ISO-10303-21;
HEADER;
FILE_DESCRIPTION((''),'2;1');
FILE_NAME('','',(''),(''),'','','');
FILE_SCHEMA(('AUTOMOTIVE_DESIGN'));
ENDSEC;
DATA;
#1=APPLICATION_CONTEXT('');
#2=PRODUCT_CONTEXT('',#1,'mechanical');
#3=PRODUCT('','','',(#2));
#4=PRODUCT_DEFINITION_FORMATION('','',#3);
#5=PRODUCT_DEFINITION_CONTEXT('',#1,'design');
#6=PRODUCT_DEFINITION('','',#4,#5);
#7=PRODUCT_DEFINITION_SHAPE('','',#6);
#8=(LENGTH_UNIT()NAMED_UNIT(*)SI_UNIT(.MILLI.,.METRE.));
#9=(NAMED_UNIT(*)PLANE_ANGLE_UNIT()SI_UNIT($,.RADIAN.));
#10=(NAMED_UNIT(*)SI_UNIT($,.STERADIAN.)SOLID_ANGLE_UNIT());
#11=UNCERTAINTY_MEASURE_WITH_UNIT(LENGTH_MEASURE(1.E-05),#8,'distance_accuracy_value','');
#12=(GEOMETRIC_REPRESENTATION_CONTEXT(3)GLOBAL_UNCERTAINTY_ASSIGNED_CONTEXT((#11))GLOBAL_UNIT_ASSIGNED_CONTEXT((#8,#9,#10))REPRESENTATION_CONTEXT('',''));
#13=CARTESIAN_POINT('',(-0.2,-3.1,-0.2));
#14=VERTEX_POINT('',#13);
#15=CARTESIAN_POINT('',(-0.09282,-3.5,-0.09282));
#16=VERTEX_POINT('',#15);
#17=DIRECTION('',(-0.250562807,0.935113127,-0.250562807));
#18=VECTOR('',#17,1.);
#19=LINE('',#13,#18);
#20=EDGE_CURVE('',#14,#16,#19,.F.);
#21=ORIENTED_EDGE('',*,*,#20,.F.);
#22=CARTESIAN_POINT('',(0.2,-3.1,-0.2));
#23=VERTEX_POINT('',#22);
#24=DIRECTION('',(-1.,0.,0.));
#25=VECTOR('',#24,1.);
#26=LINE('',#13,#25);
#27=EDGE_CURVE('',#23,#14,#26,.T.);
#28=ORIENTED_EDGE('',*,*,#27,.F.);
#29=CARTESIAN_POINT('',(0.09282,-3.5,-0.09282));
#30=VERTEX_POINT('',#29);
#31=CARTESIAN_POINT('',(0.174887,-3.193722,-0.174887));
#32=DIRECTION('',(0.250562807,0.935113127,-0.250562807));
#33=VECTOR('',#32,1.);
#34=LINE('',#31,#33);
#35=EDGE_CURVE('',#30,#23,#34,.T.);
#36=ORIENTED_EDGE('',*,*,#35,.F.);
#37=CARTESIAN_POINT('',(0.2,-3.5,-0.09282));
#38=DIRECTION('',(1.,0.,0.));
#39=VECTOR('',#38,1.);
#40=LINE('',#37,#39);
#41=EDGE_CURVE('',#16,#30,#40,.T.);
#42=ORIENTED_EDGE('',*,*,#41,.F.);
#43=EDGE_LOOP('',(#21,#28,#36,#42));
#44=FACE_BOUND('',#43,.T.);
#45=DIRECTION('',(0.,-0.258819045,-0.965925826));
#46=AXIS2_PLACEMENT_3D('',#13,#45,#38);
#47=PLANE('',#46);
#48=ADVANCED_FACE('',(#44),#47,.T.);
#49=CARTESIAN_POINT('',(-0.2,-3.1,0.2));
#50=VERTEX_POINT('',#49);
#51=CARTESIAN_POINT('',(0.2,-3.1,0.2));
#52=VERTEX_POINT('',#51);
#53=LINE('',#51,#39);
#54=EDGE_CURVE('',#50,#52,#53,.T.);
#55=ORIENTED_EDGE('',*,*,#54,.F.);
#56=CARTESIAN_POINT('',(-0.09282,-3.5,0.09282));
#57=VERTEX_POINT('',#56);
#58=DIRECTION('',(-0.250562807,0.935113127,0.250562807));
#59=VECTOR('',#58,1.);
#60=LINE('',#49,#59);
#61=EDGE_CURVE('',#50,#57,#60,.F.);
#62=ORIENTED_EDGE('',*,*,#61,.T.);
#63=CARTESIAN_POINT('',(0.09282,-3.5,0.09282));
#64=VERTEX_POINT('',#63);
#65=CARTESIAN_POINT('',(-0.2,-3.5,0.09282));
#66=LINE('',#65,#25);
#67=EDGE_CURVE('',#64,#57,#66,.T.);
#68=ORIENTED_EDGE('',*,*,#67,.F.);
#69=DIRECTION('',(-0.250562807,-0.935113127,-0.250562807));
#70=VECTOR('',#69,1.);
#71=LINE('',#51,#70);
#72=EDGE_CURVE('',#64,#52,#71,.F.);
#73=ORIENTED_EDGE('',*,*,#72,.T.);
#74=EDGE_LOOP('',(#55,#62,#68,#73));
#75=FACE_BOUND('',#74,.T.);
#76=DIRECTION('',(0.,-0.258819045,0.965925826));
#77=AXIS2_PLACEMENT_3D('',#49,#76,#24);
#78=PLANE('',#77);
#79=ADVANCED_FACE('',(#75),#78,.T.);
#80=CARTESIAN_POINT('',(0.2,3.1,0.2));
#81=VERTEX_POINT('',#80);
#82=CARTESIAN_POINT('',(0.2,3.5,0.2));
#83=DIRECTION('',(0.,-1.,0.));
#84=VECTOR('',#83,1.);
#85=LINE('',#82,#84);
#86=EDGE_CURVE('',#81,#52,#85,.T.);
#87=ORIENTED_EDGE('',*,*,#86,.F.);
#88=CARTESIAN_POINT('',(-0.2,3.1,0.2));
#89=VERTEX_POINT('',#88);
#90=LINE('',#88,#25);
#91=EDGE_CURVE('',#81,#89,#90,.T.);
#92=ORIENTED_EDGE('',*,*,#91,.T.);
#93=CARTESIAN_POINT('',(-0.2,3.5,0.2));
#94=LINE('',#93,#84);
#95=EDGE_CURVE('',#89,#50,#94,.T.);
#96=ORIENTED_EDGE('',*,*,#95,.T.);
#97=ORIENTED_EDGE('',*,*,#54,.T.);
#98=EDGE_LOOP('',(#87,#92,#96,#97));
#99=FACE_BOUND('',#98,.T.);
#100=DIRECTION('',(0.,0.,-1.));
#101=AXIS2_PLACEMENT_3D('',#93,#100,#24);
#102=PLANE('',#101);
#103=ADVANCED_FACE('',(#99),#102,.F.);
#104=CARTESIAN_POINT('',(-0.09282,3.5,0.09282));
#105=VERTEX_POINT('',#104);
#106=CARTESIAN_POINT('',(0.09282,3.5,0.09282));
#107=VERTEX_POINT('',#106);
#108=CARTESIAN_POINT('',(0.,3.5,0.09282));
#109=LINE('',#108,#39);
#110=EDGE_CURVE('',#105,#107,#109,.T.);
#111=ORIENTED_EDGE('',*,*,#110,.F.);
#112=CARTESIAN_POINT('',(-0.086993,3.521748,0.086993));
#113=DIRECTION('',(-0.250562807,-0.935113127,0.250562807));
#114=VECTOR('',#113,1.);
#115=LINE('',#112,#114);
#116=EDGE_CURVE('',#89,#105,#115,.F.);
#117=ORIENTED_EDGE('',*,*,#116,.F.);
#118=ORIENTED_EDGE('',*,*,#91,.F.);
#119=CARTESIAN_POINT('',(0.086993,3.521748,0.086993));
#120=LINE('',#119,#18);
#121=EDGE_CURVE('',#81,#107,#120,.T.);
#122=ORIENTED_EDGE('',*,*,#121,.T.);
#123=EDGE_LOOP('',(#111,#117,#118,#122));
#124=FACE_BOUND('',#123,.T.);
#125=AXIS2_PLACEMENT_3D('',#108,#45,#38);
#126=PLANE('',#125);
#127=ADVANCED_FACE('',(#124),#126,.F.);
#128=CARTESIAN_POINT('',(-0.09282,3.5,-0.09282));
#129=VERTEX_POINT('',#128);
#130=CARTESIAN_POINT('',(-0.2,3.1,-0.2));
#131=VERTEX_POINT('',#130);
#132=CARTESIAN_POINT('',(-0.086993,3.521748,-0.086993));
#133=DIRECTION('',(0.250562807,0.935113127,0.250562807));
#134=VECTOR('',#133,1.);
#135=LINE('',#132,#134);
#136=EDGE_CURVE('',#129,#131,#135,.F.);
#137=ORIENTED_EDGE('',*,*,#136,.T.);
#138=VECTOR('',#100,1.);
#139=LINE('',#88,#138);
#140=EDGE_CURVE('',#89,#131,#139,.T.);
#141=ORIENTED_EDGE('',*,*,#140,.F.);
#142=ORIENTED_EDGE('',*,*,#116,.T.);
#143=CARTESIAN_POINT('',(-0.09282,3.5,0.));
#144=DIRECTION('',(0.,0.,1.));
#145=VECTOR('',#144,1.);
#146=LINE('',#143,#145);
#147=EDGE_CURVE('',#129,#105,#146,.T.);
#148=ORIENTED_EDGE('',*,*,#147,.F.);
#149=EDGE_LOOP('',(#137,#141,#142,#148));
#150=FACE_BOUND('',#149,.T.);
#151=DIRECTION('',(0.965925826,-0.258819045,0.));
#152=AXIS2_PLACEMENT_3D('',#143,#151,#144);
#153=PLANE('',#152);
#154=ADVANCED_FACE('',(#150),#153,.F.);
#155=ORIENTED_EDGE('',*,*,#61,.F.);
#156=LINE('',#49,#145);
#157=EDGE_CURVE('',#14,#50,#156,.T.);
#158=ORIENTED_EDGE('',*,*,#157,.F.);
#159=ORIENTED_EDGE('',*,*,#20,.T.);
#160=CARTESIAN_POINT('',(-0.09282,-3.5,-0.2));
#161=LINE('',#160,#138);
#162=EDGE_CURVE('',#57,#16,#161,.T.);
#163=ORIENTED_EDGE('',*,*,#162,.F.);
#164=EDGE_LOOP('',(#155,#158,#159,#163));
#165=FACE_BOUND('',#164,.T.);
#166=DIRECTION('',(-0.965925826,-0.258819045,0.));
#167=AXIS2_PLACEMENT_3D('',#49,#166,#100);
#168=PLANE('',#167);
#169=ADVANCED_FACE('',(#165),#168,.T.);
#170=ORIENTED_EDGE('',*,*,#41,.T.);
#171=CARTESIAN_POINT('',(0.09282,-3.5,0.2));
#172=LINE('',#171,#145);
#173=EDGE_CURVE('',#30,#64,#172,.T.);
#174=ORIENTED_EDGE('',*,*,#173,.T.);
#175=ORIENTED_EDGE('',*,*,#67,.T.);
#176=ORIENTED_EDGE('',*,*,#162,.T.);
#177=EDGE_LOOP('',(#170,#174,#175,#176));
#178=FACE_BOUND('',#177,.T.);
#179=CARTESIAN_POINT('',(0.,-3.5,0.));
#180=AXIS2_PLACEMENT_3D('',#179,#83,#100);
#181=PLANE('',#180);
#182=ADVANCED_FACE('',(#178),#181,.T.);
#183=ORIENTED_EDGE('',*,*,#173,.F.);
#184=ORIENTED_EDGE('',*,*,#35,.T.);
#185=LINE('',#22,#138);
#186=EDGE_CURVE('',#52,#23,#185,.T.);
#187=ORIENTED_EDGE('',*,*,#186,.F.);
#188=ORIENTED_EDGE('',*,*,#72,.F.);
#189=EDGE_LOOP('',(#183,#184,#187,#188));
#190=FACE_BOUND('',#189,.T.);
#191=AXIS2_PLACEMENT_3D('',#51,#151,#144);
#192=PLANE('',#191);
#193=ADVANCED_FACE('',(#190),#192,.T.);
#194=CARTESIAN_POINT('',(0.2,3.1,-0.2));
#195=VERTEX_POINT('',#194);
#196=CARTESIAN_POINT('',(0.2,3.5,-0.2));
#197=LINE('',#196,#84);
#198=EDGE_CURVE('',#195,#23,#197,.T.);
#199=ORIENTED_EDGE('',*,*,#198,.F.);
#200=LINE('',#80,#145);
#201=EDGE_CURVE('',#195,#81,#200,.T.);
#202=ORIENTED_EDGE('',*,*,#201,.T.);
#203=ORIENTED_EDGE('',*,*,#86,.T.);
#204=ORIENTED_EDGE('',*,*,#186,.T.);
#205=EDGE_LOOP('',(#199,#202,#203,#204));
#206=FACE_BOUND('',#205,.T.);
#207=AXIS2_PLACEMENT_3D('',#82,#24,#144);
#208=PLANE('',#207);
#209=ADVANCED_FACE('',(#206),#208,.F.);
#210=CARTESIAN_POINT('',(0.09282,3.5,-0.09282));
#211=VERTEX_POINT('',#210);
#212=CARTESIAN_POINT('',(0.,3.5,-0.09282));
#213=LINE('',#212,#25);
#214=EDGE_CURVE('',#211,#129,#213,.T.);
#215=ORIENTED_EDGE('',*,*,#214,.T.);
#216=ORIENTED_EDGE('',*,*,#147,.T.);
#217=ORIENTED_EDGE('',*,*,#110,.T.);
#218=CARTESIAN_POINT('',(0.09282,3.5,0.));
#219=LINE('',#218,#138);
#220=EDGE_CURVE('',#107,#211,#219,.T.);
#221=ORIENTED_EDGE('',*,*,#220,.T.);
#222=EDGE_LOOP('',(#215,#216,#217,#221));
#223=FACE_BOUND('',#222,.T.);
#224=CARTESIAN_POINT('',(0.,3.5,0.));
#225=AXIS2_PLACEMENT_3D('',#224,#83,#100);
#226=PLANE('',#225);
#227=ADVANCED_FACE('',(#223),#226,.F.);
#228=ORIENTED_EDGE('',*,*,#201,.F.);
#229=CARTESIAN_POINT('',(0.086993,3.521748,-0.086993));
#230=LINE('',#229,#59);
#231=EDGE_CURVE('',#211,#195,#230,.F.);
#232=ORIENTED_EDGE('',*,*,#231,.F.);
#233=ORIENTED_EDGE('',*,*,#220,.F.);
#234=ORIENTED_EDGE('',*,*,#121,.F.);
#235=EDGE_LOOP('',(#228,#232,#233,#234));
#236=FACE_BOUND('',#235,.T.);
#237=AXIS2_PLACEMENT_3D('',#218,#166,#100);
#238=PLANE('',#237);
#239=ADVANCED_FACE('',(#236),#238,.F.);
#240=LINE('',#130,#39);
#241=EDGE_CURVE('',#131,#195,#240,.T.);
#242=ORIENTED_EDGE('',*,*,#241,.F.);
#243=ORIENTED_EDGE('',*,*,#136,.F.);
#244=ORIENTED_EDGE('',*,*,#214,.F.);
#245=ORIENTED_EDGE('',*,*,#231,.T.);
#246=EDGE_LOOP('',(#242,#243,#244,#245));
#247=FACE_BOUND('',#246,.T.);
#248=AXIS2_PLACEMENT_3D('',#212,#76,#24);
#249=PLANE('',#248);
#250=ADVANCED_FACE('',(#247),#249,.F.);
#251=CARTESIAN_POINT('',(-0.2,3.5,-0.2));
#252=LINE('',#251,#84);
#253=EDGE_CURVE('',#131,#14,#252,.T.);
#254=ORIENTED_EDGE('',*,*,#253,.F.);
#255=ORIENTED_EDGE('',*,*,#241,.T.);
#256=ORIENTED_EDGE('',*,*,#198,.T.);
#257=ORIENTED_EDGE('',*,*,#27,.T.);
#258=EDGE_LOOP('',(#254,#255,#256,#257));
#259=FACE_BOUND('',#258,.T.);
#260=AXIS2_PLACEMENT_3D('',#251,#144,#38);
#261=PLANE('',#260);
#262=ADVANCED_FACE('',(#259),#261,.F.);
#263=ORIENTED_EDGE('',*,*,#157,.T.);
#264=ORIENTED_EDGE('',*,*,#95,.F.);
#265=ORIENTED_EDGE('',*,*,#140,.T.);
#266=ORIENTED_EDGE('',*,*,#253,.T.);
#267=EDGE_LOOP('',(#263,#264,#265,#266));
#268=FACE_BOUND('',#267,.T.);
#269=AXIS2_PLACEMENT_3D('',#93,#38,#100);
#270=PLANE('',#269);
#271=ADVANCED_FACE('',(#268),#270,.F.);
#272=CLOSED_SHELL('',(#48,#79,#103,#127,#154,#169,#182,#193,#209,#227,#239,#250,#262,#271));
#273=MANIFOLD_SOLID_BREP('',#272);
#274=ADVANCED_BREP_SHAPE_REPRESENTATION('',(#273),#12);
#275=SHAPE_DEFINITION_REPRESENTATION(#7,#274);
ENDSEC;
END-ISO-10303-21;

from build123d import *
from OCP.BRepFilletAPI import BRepFilletAPI_MakeChamfer

# Parameters (mm, degrees)
SKETCH1_W           = 0.4
SKETCH1_H           = 0.4
BOSS_EXTRUDE1_DEPTH = 3.5
CHAMFER2_SIZE       = 0.4
CHAMFER2_SIZE2      = 0.107179677
CHAMFER3_SIZE       = 0.4
CHAMFER3_SIZE2      = 0.107179677


with BuildPart() as part:
    # Sketch1 → Boss-Extrude1 (new, symmetric)
    with BuildSketch(Plane(origin=(0, 0, 0), x_dir=(1, 0, 0), z_dir=(0, 1, 0))):
        Rectangle(SKETCH1_W, SKETCH1_H)
    extrude(amount=BOSS_EXTRUDE1_DEPTH, both=True)

    # Chamfer2: one chamfer whose edges measure the first distance from different faces: ONE call of the kernel's chamfer builder (chamfer() names one face for all edges)
    chamfer2_edges_1 = [part.edges().sort_by_distance(p)[0] for p in [
        (-0.2, 3.5, 0),
    ]]
    chamfer2_side_1 = [part.faces().sort_by_distance(p)[0] for p in [
        (-0.2, 0, 0),
    ]]
    chamfer2_edges_2 = [part.edges().sort_by_distance(p)[0] for p in [
        (0, 3.5, 0.2),
    ]]
    chamfer2_side_2 = [part.faces().sort_by_distance(p)[0] for p in [
        (0, 0, 0.2),
    ]]
    chamfer2_edges_3 = [part.edges().sort_by_distance(p)[0] for p in [
        (0.2, 3.5, 0),
    ]]
    chamfer2_side_3 = [part.faces().sort_by_distance(p)[0] for p in [
        (0.2, 0, 0),
    ]]
    chamfer2_edges_4 = [part.edges().sort_by_distance(p)[0] for p in [
        (0, 3.5, -0.2),
    ]]
    chamfer2_side_4 = [part.faces().sort_by_distance(p)[0] for p in [
        (0, 0, -0.2),
    ]]
    chamfer2 = BRepFilletAPI_MakeChamfer(part.part.solid().wrapped)
    for e in chamfer2_edges_1:
        chamfer2.Add(CHAMFER2_SIZE, CHAMFER2_SIZE2, e.wrapped, chamfer2_side_1[0].wrapped)  # the first distance lies on this face
    for e in chamfer2_edges_2:
        chamfer2.Add(CHAMFER2_SIZE, CHAMFER2_SIZE2, e.wrapped, chamfer2_side_2[0].wrapped)  # the first distance lies on this face
    for e in chamfer2_edges_3:
        chamfer2.Add(CHAMFER2_SIZE, CHAMFER2_SIZE2, e.wrapped, chamfer2_side_3[0].wrapped)  # the first distance lies on this face
    for e in chamfer2_edges_4:
        chamfer2.Add(CHAMFER2_SIZE, CHAMFER2_SIZE2, e.wrapped, chamfer2_side_4[0].wrapped)  # the first distance lies on this face
    add(Compound.cast(chamfer2.Shape()), mode=Mode.REPLACE)

    # Chamfer3: one chamfer whose edges measure the first distance from different faces: ONE call of the kernel's chamfer builder (chamfer() names one face for all edges)
    chamfer3_edges_1 = [part.edges().sort_by_distance(p)[0] for p in [
        (0, -3.5, 0.2),
    ]]
    chamfer3_side_1 = [part.faces().sort_by_distance(p)[0] for p in [
        (0, -0.2, 0.2),
    ]]
    chamfer3_edges_2 = [part.edges().sort_by_distance(p)[0] for p in [
        (-0.2, -3.5, 0),
    ]]
    chamfer3_side_2 = [part.faces().sort_by_distance(p)[0] for p in [
        (-0.2, -0.2, 0),
    ]]
    chamfer3_edges_3 = [part.edges().sort_by_distance(p)[0] for p in [
        (0, -3.5, -0.2),
    ]]
    chamfer3_side_3 = [part.faces().sort_by_distance(p)[0] for p in [
        (0, -0.2, -0.2),
    ]]
    chamfer3_edges_4 = [part.edges().sort_by_distance(p)[0] for p in [
        (0.2, -3.5, 0),
    ]]
    chamfer3_side_4 = [part.faces().sort_by_distance(p)[0] for p in [
        (0.2, -0.2, 0),
    ]]
    chamfer3 = BRepFilletAPI_MakeChamfer(part.part.solid().wrapped)
    for e in chamfer3_edges_1:
        chamfer3.Add(CHAMFER3_SIZE, CHAMFER3_SIZE2, e.wrapped, chamfer3_side_1[0].wrapped)  # the first distance lies on this face
    for e in chamfer3_edges_2:
        chamfer3.Add(CHAMFER3_SIZE, CHAMFER3_SIZE2, e.wrapped, chamfer3_side_2[0].wrapped)  # the first distance lies on this face
    for e in chamfer3_edges_3:
        chamfer3.Add(CHAMFER3_SIZE, CHAMFER3_SIZE2, e.wrapped, chamfer3_side_3[0].wrapped)  # the first distance lies on this face
    for e in chamfer3_edges_4:
        chamfer3.Add(CHAMFER3_SIZE, CHAMFER3_SIZE2, e.wrapped, chamfer3_side_4[0].wrapped)  # the first distance lies on this face
    add(Compound.cast(chamfer3.Shape()), mode=Mode.REPLACE)


solid = part.part
